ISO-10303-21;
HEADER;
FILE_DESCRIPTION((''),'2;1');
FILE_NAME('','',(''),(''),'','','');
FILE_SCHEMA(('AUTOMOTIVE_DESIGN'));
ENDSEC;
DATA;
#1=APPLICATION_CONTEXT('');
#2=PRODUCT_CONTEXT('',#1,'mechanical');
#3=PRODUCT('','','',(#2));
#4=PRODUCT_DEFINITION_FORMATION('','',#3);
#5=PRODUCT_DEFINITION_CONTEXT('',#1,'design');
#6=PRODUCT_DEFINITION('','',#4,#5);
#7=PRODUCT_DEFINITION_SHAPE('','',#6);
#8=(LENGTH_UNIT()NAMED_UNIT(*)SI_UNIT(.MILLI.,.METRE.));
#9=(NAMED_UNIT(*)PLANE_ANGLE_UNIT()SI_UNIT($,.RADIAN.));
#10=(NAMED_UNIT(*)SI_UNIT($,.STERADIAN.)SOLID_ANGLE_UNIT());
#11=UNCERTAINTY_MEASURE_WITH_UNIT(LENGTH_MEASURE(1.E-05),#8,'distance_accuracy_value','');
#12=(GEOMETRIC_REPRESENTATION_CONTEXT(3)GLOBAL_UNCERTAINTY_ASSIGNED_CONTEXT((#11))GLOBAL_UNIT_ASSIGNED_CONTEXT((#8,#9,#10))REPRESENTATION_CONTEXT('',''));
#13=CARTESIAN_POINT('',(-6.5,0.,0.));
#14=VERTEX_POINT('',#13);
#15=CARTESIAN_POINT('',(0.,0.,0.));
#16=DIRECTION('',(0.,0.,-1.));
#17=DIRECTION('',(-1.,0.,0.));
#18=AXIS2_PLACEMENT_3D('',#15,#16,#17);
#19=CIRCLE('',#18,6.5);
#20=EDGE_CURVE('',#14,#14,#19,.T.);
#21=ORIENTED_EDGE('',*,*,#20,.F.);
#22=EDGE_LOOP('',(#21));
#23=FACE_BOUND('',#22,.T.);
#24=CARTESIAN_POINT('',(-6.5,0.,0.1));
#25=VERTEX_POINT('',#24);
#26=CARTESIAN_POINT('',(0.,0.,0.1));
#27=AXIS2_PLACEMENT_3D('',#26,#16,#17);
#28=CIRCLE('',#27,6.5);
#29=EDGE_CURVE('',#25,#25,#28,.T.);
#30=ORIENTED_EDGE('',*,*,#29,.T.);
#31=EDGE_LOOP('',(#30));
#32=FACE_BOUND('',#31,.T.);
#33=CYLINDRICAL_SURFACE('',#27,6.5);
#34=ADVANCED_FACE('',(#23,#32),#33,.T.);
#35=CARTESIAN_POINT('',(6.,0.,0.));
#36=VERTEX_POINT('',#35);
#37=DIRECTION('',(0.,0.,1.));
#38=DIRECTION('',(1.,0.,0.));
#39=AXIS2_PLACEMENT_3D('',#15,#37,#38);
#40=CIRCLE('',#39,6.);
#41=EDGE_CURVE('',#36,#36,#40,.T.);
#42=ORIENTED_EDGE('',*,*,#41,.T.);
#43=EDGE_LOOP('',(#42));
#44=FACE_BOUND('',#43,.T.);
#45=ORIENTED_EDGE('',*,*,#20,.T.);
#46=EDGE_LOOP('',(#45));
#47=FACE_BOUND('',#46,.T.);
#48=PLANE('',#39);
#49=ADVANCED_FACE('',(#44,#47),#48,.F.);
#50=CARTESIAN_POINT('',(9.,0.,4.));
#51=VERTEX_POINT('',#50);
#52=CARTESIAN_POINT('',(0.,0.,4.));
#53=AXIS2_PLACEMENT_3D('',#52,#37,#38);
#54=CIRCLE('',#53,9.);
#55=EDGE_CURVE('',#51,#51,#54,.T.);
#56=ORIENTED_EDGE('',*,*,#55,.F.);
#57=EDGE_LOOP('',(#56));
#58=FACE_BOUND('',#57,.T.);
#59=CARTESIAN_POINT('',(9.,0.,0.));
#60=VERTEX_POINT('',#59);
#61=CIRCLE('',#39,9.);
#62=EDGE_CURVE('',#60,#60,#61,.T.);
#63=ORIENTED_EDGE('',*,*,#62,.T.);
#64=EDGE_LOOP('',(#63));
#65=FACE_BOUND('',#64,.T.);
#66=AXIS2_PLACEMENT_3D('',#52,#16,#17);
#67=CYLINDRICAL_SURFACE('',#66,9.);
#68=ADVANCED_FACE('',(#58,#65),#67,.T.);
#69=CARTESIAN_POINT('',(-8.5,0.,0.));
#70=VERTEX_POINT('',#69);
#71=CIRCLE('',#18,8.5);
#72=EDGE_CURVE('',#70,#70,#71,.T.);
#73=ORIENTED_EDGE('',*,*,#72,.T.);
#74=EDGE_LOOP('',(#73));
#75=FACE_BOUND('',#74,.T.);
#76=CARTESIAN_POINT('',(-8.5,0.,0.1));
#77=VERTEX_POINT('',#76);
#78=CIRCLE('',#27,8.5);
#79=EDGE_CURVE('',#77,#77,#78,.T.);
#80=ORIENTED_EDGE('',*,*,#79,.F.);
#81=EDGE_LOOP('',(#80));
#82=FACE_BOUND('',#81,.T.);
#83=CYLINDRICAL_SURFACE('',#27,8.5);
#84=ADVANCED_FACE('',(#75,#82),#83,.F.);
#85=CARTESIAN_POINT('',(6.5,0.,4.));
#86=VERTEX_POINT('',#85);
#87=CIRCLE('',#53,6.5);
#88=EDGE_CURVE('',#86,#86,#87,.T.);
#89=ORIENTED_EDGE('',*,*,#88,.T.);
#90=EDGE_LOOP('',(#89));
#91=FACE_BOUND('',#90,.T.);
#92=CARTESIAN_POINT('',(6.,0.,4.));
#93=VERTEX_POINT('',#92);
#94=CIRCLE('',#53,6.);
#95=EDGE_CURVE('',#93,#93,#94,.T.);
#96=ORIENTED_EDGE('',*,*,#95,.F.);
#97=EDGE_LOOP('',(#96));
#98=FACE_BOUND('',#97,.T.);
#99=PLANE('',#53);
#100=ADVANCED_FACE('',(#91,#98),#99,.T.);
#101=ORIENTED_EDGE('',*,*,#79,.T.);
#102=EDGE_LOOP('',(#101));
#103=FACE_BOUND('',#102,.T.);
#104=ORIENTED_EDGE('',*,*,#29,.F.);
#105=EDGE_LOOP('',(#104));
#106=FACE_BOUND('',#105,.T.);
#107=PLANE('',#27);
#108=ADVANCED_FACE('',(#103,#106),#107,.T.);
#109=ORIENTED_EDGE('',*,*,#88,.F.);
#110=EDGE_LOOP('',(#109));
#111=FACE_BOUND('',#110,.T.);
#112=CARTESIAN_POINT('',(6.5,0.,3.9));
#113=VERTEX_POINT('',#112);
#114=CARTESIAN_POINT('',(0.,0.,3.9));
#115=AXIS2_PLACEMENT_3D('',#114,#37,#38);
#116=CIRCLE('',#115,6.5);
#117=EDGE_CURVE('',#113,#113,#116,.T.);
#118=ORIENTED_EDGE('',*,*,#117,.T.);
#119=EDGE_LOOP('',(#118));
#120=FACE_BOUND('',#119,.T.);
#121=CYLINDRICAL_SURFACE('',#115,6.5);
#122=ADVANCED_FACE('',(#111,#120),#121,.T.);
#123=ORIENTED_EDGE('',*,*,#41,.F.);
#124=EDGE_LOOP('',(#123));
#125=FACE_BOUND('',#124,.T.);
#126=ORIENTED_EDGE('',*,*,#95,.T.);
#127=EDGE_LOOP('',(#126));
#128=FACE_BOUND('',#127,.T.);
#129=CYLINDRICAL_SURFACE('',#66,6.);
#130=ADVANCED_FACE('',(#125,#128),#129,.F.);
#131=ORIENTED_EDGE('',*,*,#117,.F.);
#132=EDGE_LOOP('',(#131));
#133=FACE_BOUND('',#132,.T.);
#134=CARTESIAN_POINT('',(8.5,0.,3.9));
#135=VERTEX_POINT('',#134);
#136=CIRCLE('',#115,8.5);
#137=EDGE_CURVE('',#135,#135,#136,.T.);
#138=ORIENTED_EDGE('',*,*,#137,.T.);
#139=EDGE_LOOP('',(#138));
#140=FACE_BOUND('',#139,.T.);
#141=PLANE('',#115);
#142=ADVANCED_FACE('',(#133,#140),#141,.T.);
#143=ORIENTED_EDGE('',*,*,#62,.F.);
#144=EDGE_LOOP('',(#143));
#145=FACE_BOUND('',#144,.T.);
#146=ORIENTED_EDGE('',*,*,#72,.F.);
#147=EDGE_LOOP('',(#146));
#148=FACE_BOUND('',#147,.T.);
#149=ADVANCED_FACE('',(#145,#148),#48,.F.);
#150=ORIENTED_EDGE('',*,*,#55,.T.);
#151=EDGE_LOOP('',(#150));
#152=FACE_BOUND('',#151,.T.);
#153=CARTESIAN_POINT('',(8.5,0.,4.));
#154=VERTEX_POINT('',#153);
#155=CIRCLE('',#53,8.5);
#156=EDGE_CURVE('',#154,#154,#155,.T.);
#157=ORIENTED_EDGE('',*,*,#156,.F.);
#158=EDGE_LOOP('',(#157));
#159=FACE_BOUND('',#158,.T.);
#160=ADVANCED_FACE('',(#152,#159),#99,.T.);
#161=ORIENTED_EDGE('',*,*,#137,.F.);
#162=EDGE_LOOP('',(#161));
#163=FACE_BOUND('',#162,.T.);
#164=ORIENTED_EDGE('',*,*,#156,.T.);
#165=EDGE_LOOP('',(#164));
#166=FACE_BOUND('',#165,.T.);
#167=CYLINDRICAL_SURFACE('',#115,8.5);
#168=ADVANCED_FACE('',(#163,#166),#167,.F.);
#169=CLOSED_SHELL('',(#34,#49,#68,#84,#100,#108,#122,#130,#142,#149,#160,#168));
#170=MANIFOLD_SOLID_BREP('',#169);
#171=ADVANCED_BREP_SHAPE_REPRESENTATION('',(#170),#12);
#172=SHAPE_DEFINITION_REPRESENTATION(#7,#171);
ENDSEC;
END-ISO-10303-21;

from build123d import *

# Parameters (mm, degrees)
SKETCH1_R           = 9
SKETCH1_R_2         = 6
BOSS_EXTRUDE1_DEPTH = 4
SKETCH2_R           = 8.5
SKETCH2_R_2         = 6.5
CUT_EXTRUDE1_DEPTH  = 0.1
CUT_EXTRUDE2_START  = -0.1
SKETCH3_R           = 8.5
SKETCH3_R_2         = 6.5
CUT_EXTRUDE2_DEPTH  = 0.1


with BuildPart() as part:
    # Sketch1 → Boss-Extrude1 (new body)
    with BuildSketch(Plane.XY):
        Circle(SKETCH1_R)
        Circle(SKETCH1_R_2, mode=Mode.SUBTRACT)
    extrude(amount=BOSS_EXTRUDE1_DEPTH)

    # Sketch2 → Cut-Extrude1 (cut)
    with BuildSketch(Plane(origin=(0, 0, 0), x_dir=(-1, 0, 0), z_dir=(0, 0, -1))):
        Circle(SKETCH2_R)
        Circle(SKETCH2_R_2, mode=Mode.SUBTRACT)
    extrude(amount=-CUT_EXTRUDE1_DEPTH, mode=Mode.SUBTRACT)

    # Sketch3 → Cut-Extrude2 (cut)
    with BuildSketch(Plane.XY.offset(4).offset(CUT_EXTRUDE2_START)):
        with Locations(Location((0, 0, 0), (0, 0, 180))):
            Circle(SKETCH3_R)
        with Locations(Location((0, 0, 0), (0, 0, 180))):
            Circle(SKETCH3_R_2, mode=Mode.SUBTRACT)
    extrude(amount=CUT_EXTRUDE2_DEPTH, mode=Mode.SUBTRACT)


solid = part.part
